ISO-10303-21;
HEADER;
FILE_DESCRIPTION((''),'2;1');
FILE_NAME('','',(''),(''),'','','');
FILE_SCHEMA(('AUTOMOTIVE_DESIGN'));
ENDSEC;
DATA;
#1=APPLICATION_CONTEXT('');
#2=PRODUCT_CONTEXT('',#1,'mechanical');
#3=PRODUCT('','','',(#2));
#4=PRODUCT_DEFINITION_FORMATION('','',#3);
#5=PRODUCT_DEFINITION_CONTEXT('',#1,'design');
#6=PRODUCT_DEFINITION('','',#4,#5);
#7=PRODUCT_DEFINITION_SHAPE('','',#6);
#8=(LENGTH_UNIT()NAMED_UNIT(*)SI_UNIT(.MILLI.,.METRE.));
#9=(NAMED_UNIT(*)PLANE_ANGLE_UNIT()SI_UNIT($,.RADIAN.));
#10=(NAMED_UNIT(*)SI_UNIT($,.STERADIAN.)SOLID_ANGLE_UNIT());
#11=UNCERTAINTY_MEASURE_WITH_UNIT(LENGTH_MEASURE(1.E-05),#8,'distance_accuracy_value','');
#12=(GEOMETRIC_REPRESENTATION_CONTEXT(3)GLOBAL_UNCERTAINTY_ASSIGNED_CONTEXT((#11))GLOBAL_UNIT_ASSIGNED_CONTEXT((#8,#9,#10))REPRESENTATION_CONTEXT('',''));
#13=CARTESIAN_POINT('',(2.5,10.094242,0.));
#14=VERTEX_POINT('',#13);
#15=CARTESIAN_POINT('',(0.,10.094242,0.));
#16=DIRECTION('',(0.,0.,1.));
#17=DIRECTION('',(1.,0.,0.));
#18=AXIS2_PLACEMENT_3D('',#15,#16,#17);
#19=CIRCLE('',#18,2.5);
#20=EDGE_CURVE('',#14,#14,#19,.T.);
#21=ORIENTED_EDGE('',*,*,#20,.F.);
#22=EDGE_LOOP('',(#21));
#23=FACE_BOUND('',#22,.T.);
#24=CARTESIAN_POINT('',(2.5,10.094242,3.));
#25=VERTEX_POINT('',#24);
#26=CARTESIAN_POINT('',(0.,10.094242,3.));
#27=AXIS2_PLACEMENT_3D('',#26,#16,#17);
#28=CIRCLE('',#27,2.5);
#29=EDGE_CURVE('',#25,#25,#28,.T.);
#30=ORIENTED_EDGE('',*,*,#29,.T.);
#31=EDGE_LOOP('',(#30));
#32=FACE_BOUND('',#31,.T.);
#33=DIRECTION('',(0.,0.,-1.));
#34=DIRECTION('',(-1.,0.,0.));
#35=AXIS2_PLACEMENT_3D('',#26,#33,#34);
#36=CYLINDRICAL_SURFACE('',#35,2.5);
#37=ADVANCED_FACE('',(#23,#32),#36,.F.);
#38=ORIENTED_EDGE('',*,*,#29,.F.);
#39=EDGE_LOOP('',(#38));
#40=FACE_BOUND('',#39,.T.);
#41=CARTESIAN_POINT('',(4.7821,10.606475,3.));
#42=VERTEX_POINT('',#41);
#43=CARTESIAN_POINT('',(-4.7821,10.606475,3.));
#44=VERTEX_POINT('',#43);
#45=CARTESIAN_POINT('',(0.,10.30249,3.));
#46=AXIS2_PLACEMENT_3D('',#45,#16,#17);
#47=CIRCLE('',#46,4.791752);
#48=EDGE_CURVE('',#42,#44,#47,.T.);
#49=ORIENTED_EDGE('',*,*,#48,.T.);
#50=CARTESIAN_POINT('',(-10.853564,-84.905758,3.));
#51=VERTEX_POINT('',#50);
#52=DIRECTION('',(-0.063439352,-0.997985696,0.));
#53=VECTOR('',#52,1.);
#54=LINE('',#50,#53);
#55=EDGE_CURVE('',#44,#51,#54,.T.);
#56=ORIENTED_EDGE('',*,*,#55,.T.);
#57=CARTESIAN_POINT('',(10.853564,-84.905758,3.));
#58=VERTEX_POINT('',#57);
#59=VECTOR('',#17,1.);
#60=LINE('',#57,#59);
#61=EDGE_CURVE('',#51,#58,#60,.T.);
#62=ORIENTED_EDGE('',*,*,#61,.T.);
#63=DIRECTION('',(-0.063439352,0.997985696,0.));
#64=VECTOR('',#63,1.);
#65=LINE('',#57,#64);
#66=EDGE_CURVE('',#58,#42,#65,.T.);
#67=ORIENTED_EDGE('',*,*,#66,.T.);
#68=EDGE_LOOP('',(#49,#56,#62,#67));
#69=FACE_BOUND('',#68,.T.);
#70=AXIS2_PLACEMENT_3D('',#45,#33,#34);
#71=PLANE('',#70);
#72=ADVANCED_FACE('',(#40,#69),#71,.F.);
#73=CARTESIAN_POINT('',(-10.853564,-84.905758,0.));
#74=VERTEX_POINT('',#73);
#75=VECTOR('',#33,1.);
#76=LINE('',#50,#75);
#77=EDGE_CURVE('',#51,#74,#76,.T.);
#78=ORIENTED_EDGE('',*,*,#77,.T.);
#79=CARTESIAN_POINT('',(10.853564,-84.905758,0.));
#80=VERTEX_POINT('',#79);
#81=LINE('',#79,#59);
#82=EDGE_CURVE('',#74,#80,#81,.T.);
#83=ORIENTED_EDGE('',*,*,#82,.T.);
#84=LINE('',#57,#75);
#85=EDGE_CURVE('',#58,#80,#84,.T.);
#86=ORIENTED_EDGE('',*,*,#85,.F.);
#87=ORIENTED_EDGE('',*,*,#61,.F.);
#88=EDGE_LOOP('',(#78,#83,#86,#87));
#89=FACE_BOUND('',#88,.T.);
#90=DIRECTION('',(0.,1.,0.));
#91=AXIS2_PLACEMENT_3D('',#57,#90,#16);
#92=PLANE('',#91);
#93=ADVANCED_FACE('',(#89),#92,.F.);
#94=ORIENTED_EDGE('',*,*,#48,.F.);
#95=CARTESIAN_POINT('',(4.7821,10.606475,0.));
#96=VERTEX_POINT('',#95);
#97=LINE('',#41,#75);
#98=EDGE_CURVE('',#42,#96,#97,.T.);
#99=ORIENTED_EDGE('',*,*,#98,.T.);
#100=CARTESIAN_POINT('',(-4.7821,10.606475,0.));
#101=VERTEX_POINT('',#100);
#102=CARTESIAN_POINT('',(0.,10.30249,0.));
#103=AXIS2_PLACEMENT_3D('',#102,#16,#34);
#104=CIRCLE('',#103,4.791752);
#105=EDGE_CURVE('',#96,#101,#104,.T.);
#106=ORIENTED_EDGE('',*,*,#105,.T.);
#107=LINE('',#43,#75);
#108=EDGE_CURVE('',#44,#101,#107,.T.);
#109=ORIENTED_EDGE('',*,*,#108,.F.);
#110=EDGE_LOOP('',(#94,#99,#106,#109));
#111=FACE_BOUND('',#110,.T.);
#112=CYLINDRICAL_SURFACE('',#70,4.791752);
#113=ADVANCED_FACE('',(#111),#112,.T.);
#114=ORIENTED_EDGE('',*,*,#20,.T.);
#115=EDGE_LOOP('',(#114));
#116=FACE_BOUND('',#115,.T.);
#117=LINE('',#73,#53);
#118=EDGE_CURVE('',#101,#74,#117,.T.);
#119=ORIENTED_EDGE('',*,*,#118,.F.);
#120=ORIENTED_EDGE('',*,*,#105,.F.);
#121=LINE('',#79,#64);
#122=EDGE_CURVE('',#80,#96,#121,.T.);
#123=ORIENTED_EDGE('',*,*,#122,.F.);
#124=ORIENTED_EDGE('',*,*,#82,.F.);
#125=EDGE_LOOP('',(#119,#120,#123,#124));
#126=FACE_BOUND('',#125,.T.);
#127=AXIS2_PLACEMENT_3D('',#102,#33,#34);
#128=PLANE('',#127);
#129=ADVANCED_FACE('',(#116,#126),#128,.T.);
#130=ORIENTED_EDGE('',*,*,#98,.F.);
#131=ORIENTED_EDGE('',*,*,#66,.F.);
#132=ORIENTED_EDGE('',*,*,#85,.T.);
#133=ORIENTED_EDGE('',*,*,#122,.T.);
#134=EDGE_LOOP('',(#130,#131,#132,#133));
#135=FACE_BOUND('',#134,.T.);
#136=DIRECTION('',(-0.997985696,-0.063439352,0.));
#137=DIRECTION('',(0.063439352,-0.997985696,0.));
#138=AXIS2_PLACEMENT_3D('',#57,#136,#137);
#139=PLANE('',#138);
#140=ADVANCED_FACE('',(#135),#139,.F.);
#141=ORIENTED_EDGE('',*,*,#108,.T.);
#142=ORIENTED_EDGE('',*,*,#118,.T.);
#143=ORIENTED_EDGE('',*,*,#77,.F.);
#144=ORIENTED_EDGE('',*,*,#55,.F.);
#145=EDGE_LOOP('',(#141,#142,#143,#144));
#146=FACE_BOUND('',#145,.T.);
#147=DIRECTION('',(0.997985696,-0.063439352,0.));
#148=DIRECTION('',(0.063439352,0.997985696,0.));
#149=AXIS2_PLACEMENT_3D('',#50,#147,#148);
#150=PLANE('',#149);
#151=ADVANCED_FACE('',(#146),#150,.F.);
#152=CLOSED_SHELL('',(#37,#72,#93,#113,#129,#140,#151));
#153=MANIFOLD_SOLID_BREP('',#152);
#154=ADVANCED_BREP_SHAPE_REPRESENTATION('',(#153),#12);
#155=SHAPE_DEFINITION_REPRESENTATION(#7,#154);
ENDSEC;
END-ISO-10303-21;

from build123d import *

# Parameters (mm, degrees)
SKETCH1_R           = 2.5
BOSS_EXTRUDE1_DEPTH = 3


with BuildPart() as part:
    # Sketch1 → Boss-Extrude1 (new body)
    with BuildSketch(Plane.XY):
        with BuildLine():
            Line((10.853563951, -84.90575827), (-10.853563951, -84.90575827))
            Line((-10.853563951, -84.90575827), (-4.782100014, 10.606475312))
            ThreePointArc((-4.782100014, 10.606475312), (-3.279044371, 13.796592676), (0, 15.09424173))
            ThreePointArc((0, 15.09424173), (3.279044371, 13.796592676), (4.782100014, 10.606475312))
            Line((4.782100014, 10.606475312), (10.853563951, -84.90575827))
        make_face()
        with Locations((0, 10.09424173)):
            Circle(SKETCH1_R, mode=Mode.SUBTRACT)
    extrude(amount=BOSS_EXTRUDE1_DEPTH)


solid = part.part
